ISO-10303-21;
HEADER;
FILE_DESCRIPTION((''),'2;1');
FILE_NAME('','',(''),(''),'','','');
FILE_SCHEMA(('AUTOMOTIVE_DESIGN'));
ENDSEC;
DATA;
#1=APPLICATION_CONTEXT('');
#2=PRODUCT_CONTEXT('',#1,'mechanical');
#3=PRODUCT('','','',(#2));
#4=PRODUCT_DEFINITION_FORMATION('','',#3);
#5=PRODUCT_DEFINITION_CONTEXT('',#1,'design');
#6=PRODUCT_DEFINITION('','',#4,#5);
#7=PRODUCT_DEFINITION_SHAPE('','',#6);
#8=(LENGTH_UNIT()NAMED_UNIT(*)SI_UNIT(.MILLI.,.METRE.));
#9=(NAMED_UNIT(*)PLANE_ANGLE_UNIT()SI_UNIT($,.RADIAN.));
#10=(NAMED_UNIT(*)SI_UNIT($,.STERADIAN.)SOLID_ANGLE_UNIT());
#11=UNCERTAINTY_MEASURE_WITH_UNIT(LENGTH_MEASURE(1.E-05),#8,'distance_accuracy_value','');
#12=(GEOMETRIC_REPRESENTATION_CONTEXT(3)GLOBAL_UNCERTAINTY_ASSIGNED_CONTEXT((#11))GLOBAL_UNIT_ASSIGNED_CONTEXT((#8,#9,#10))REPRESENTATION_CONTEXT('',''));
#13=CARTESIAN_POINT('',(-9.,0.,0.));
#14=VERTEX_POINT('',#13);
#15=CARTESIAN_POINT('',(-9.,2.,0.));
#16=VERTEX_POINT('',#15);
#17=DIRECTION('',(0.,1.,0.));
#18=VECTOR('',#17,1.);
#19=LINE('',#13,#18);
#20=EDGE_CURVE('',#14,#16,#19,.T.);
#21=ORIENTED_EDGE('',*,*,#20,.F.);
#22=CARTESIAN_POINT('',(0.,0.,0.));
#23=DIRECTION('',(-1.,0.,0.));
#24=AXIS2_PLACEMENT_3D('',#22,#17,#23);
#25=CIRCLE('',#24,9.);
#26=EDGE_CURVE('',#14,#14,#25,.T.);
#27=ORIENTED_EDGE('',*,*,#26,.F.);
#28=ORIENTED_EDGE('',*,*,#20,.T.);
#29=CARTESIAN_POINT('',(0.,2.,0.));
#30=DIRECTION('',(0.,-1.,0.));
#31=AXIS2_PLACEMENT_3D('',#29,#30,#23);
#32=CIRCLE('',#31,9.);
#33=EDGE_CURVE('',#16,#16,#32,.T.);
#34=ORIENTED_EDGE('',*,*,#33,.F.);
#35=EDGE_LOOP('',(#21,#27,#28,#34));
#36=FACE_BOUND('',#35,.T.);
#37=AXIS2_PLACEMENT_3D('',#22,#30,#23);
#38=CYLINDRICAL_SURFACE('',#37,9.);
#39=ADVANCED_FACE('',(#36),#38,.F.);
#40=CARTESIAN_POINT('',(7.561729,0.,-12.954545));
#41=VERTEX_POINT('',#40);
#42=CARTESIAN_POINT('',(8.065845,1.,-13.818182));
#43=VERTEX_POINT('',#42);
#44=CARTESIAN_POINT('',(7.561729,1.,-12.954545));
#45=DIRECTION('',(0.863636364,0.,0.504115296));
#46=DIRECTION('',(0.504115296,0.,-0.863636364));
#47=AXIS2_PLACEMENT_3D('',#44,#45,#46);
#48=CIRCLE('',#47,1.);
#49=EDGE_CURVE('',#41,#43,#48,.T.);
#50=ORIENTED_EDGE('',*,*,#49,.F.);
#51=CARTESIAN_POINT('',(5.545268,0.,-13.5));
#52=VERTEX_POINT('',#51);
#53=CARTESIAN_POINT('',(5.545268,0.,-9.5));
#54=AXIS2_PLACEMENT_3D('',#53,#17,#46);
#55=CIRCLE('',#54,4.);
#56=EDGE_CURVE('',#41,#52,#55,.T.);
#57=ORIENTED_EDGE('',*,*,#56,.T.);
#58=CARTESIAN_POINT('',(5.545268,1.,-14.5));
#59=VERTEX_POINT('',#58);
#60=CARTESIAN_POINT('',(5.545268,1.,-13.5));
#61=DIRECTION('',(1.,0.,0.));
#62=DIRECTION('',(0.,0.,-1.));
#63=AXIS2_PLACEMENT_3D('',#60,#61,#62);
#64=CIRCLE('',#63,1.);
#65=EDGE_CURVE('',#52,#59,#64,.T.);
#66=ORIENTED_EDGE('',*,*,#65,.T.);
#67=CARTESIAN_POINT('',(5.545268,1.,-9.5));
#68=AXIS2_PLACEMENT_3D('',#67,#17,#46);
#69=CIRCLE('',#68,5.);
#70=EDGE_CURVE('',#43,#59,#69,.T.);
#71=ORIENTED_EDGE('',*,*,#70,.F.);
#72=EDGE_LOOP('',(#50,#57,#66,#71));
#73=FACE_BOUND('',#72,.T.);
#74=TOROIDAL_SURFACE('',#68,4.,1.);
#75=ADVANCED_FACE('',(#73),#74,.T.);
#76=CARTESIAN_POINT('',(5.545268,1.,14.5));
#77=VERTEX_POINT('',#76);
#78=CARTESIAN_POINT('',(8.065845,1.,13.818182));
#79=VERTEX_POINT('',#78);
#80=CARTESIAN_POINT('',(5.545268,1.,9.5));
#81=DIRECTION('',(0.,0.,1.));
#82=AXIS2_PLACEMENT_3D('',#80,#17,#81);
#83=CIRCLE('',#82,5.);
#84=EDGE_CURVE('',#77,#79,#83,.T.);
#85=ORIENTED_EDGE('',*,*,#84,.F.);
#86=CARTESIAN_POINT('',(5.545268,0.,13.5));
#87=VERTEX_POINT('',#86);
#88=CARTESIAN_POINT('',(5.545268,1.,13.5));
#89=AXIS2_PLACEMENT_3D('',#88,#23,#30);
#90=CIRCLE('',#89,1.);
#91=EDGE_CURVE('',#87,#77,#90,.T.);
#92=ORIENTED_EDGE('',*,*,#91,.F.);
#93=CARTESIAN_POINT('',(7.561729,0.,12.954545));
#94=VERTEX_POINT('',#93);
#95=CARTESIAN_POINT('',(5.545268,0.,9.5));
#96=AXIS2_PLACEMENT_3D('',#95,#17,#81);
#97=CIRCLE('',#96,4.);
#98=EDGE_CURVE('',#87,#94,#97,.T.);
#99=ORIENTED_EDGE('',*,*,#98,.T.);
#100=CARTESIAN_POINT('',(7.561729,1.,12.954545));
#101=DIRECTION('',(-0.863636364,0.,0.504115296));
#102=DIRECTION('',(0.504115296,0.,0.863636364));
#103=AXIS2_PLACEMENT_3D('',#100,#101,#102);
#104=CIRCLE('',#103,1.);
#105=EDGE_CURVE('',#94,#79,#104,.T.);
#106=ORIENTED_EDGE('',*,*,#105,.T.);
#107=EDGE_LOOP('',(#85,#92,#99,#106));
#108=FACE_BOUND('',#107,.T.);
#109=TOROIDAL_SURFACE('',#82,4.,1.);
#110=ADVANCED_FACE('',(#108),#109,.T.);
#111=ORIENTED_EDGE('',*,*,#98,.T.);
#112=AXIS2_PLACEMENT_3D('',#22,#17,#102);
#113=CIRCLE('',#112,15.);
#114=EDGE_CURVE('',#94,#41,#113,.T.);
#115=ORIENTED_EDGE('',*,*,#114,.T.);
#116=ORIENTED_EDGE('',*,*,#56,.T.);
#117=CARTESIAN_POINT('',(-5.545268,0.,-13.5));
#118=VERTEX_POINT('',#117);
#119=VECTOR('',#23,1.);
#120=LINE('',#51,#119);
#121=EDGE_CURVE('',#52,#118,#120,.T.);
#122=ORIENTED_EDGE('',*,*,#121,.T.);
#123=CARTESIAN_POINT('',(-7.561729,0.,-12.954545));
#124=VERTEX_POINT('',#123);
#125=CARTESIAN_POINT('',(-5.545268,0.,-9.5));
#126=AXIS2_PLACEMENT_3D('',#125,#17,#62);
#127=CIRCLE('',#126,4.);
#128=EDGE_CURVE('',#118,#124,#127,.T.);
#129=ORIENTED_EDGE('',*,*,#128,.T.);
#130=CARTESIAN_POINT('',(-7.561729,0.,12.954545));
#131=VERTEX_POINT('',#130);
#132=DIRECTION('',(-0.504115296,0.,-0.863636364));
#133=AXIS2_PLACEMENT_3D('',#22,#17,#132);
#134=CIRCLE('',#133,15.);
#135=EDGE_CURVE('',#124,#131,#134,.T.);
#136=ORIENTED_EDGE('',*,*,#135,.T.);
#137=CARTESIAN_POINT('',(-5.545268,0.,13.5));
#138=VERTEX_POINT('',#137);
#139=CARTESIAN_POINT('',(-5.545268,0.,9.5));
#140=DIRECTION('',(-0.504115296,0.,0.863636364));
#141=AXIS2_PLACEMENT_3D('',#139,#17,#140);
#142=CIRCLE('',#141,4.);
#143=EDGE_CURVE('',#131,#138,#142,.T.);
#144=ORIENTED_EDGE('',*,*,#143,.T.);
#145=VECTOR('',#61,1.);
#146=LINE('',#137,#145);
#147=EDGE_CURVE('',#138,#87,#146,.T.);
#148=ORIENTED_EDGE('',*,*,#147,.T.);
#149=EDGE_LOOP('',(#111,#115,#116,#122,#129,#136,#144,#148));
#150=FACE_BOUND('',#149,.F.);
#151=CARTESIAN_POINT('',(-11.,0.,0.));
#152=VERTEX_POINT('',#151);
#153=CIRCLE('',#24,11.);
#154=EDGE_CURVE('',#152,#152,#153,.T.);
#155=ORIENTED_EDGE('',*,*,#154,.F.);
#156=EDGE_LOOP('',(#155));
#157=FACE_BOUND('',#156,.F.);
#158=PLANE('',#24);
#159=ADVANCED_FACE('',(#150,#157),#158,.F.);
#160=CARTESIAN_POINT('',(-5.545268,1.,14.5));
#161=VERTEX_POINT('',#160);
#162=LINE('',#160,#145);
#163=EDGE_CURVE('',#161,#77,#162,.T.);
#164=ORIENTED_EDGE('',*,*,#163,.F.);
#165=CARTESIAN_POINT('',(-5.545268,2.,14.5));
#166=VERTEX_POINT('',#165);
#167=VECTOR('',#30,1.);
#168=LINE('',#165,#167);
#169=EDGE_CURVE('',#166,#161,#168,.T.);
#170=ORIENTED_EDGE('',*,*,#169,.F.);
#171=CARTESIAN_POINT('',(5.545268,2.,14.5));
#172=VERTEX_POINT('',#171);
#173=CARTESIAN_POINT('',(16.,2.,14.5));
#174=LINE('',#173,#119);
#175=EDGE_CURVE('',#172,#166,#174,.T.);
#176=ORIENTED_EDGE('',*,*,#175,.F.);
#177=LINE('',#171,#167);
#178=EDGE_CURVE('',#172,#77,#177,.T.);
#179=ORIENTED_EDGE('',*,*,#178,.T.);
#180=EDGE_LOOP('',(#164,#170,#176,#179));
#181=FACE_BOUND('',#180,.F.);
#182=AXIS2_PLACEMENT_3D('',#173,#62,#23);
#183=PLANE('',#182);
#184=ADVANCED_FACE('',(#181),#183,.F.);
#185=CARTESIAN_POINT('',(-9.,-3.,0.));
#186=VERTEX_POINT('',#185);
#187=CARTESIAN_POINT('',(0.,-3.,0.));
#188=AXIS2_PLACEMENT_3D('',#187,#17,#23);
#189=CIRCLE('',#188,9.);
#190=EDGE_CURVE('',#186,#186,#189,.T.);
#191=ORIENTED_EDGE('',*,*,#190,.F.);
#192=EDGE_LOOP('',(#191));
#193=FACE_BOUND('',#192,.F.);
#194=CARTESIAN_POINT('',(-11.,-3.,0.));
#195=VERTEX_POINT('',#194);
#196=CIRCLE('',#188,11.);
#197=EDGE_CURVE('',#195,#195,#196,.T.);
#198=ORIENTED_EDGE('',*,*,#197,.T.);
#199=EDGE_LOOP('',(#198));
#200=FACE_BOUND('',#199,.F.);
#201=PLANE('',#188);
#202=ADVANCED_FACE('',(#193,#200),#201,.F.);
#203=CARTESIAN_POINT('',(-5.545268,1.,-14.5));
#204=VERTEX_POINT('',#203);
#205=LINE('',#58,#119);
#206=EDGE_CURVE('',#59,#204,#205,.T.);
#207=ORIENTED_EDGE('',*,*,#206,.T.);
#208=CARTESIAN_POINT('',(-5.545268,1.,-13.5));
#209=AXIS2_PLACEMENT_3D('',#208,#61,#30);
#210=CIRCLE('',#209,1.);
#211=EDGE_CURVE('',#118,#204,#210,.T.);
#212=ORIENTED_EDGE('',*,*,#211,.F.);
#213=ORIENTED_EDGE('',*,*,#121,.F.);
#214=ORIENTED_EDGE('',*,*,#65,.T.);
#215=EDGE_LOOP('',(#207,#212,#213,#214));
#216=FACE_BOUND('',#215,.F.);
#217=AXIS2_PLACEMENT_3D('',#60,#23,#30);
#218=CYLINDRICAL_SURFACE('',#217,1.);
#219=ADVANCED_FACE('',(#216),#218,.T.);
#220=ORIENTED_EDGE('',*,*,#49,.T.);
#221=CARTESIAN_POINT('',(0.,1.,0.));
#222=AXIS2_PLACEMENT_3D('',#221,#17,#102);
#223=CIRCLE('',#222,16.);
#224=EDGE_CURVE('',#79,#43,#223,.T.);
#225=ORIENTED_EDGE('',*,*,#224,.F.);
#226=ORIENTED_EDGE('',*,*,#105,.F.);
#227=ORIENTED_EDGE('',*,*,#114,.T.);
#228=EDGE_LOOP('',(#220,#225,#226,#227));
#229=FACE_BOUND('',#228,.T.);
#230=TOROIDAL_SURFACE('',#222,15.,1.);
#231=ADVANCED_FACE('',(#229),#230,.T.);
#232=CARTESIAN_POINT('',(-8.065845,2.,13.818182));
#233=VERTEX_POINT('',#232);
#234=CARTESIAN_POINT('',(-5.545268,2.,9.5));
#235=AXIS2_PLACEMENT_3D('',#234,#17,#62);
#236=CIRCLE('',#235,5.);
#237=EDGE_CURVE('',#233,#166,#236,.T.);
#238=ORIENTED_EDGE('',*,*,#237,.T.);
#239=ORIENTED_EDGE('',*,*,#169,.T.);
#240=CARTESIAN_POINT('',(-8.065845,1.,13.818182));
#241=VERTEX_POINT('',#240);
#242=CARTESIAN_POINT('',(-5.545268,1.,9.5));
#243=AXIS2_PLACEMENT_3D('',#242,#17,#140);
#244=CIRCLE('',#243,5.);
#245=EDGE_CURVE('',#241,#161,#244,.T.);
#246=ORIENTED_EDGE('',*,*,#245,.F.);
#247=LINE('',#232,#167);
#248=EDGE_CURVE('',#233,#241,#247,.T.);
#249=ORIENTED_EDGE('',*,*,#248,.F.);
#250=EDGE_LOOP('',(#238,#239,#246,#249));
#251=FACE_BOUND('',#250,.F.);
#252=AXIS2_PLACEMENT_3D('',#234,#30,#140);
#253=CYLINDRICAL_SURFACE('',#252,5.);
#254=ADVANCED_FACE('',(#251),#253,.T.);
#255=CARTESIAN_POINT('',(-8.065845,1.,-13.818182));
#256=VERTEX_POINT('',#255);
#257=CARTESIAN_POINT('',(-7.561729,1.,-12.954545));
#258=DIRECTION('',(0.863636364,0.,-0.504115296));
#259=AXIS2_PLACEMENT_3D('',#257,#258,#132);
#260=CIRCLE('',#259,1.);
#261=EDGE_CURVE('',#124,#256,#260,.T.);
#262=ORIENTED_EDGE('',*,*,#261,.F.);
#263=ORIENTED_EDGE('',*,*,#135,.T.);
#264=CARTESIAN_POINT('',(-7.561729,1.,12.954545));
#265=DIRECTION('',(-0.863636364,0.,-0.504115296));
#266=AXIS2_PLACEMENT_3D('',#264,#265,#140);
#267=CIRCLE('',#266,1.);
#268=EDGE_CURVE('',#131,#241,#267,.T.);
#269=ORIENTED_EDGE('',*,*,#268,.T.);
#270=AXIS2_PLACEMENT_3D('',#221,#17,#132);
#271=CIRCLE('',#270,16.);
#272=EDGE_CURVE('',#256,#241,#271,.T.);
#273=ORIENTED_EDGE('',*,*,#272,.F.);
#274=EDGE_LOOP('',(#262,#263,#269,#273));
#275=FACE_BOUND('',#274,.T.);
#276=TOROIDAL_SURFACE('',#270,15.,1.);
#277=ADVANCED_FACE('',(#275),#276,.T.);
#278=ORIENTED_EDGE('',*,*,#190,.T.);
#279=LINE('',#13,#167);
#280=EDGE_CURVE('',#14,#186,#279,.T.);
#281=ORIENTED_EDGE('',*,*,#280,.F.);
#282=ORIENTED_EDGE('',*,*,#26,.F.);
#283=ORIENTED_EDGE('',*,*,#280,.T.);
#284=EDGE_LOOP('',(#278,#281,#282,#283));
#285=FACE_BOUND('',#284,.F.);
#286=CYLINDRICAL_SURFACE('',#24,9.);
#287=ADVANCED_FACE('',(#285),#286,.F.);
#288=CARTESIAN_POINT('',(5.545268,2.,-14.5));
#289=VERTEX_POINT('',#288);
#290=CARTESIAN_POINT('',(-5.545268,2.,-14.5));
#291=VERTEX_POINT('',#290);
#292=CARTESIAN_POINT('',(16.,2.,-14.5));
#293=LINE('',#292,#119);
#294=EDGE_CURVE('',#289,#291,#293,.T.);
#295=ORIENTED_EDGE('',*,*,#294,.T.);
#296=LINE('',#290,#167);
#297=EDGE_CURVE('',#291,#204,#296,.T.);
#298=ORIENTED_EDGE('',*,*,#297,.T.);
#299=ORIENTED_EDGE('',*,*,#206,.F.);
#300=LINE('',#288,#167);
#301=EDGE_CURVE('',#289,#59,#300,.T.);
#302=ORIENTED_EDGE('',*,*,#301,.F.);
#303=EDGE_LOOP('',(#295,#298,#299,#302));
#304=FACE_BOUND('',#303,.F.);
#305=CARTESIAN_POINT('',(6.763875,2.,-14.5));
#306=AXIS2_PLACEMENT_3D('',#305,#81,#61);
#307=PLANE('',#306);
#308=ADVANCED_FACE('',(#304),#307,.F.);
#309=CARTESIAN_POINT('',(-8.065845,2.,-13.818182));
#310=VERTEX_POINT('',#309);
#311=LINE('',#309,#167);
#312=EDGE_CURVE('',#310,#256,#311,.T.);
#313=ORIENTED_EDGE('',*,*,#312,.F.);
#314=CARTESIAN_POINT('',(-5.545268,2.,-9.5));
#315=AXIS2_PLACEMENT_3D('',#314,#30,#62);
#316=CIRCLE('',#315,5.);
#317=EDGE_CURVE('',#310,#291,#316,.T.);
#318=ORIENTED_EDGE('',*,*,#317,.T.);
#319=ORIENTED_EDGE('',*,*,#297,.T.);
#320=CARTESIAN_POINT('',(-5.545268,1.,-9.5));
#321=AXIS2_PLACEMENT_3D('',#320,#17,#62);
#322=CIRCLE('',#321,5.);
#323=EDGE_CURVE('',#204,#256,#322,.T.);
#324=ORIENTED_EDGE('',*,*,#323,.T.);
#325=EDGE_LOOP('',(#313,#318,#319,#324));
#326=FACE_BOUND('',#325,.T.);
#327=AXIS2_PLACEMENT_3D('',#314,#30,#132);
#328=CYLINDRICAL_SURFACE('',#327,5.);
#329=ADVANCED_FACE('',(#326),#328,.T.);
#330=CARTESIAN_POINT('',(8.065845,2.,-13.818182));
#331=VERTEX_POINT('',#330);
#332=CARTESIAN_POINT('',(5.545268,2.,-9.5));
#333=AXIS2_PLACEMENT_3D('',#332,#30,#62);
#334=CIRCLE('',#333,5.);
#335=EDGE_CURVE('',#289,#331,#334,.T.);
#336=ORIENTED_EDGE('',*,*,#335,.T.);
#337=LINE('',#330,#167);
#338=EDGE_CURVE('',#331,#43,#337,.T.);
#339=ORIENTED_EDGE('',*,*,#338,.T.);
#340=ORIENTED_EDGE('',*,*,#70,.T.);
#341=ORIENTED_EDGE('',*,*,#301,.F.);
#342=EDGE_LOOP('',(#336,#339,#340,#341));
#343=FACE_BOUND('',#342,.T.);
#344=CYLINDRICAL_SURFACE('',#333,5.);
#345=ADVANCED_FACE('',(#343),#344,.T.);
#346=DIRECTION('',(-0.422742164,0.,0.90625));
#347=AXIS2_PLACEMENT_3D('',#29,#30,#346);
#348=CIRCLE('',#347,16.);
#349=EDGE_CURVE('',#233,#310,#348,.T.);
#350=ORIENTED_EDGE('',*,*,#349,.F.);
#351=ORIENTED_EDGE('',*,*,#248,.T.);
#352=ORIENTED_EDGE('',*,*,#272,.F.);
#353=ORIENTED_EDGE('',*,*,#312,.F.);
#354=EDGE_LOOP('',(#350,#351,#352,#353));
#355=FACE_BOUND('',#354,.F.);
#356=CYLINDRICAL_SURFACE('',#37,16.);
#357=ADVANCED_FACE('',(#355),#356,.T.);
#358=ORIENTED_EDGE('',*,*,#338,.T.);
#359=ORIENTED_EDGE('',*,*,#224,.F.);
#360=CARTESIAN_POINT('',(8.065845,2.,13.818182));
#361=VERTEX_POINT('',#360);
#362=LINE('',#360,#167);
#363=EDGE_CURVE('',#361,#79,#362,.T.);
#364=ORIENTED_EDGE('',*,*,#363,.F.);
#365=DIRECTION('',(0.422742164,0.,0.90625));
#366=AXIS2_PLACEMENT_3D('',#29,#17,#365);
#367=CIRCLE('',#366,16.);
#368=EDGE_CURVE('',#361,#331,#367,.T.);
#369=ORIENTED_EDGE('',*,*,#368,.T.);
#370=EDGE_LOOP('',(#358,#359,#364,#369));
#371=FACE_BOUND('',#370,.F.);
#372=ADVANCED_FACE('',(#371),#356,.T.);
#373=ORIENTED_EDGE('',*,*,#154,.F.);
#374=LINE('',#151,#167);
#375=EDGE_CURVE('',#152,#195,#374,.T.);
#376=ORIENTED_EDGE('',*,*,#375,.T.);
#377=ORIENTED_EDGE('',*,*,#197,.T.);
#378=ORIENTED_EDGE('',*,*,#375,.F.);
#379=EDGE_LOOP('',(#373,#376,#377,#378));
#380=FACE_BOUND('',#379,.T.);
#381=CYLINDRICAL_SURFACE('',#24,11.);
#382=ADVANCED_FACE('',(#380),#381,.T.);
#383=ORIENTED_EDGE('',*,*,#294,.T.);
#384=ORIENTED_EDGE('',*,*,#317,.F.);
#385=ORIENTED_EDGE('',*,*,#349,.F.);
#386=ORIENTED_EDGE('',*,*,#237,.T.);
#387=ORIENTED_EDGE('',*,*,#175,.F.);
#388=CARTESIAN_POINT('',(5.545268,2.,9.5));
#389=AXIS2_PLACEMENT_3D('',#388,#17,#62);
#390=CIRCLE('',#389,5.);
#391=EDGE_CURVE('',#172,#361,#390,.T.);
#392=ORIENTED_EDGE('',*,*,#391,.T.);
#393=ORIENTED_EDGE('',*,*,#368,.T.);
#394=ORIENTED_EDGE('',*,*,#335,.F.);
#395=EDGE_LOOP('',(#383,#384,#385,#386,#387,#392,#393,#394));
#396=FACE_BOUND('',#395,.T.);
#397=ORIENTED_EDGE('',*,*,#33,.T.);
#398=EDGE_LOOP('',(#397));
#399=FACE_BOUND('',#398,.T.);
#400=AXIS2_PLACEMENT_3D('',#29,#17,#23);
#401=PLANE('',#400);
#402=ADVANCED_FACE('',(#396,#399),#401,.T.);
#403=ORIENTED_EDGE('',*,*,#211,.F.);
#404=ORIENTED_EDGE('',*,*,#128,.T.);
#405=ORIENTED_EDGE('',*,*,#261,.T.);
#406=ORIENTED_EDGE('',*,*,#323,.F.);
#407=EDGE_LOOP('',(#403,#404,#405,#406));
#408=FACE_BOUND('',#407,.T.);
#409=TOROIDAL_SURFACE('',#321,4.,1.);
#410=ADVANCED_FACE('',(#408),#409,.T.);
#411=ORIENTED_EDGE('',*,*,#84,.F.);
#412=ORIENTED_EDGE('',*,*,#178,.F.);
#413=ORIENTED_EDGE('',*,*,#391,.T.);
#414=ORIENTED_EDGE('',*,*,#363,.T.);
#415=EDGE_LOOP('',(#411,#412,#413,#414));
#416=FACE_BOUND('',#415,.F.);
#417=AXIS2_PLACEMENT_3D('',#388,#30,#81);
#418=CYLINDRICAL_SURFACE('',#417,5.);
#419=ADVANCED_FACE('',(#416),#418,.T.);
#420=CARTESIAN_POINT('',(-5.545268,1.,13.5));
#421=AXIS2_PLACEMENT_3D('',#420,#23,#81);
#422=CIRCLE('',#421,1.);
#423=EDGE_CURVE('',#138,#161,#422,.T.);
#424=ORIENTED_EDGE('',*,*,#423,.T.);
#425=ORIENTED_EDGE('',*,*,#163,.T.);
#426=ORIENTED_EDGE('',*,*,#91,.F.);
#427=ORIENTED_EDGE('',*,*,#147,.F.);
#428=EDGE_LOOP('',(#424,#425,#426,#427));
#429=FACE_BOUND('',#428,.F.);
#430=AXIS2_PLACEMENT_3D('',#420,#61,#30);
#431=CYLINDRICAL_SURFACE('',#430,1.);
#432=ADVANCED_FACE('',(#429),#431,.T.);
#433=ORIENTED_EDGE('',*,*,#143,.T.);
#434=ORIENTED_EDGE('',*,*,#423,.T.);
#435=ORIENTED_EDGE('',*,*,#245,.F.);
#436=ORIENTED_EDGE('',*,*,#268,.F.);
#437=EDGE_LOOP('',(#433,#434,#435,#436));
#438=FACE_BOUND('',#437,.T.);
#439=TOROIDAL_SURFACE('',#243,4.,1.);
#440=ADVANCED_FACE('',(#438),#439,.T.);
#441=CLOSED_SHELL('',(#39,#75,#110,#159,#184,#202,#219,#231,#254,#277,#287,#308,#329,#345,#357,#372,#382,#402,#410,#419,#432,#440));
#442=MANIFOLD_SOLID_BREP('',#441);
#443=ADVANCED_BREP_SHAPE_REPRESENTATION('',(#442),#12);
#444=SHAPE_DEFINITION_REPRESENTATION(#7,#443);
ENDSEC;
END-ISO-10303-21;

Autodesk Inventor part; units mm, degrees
ref_plane "YZ Plane" through (0, 0, 0) normal (1, 0, 0) x (0, 1, 0)
ref_plane "XZ Plane" through (0, 0, 0) normal (0, 1, 0) x (-1, 0, 0)
ref_plane "XY Plane" through (0, 0, 0) normal (0, 0, 1) x (1, 0, 0)
sketch "Sketch1" plane through (0, 0, 0) normal (0, 1, 0) x (-1, 0, 0)
  circle A0 centre (0, 0) radius 10 construction
  circle A1 centre (0, 0) radius 16
  circle A2 centre (0, 0) radius 11
  circle A3 centre (0, 0) radius 9
  dimension "d0" = 20
  dimension "d1" = 6
  dimension "d4" = 1
  dimension "d9" = 2
extrude "Extrusion1" add sketch "Sketch1" along normal blind 2 contours A1 | A2 | A3
extrude "Extrusion2" add sketch "Sketch1" against normal blind 3 contours A2 | A3
extrude "Extrusion4" cut sketch "Sketch1" along normal through all both and the other way through all contours A3
sketch "Sketch4" plane through (0, 2, 0) normal (0, 1, 0) x (1, 0, 0)
  circle A0 centre (0, 0) radius 16 projected
  line L0 (16, -14.5) -> (-16, -14.5)
  line L1 (-16, -14.5) -> (-16, 14.5)
  line L2 (-16, 14.5) -> (16, 14.5)
  line L3 (16, 14.5) -> (16, -14.5)
  line L4 (16, -14.5) -> (-16, 14.5) construction
  line L5 (-16, -14.5) -> (16, 14.5) construction
  line L6 (-17.5, -16) -> (17.5, -16)
  line L7 (17.5, -16) -> (17.5, 16)
  line L8 (17.5, 16) -> (-17.5, 16)
  line L9 (-17.5, 16) -> (-17.5, -16)
  dimension "d18" = 29
extrude "Extrusion6" cut sketch "Sketch4" against normal up to surface (2 mm away) contours L3 L2 A0 L8 L7 L6 L0 | L2 A0 | A0 L0 | A0 L2 L1 L0 L6 L9 L8
fillet "Fillet1" radius 5 4 edges at (-6.7639, 1, 14.5) (6.7639, 1, 14.5) (-6.7639, 1, -14.5) (6.7639, 1, -14.5)
fillet "Fillet2" radius 1 8 edges at (-6.8509, 0, 14.3265) (6.8509, 0, 14.3265) (0, 0, 14.5) (-16, 0, 0) (16, 0, 0) (-6.8509, 0, -14.3265) (6.8509, 0, -14.3265) (0, 0, -14.5)
equation "\"d0\" = FilterDia"
equation "\"MaskHeight\" = 125"
equation "\"FilterDia\" = 20"
equation "\"NoseWidth\" = 25"
equation "\"MaterialThickness\" = 2"
equation "\"Tol\" = 0.25"
equation "\"MaterialHardness\" = 0.3"
equation "\"ClipHeight\" = 4"
equation "\"ClipWidth\" = 5"
equation "\"ClipNeck\" = 5"
equation "\"ValveNeckDia\" = 3"
equation "\"ValveNeckLength\" = 2"
equation "\"ValveFlapDia\" = 19.25"
equation "\"LeftValve\" = 0"
equation "\"RightValve\" = 0"
equation "\"CoreScrewHeadDia\" = 9.525"
equation "\"CoreScrewLength\" = 50.8"
equation "\"CoreScrewID\" = 2.38125"
equation "\"CoreScrewOD\" = 3.96875"
equation "\"StrapAttachmentNeckDia\" = 6.5"
equation "\"StrapAttachmentNeckHeight\" = 1.5"
equation "\"StrapNoseRadialDifference\" = 2"
equation "\"StrapNoseHeight\" = 7.5"
equation "\"ZipTieThickness\" = 4"
equation "\"PinTol\" = 0.75"
equation "\"PinDia\" = 7"
equation "\"PinDepth\" = 5"
properties part number "FilterPort_Printable"
